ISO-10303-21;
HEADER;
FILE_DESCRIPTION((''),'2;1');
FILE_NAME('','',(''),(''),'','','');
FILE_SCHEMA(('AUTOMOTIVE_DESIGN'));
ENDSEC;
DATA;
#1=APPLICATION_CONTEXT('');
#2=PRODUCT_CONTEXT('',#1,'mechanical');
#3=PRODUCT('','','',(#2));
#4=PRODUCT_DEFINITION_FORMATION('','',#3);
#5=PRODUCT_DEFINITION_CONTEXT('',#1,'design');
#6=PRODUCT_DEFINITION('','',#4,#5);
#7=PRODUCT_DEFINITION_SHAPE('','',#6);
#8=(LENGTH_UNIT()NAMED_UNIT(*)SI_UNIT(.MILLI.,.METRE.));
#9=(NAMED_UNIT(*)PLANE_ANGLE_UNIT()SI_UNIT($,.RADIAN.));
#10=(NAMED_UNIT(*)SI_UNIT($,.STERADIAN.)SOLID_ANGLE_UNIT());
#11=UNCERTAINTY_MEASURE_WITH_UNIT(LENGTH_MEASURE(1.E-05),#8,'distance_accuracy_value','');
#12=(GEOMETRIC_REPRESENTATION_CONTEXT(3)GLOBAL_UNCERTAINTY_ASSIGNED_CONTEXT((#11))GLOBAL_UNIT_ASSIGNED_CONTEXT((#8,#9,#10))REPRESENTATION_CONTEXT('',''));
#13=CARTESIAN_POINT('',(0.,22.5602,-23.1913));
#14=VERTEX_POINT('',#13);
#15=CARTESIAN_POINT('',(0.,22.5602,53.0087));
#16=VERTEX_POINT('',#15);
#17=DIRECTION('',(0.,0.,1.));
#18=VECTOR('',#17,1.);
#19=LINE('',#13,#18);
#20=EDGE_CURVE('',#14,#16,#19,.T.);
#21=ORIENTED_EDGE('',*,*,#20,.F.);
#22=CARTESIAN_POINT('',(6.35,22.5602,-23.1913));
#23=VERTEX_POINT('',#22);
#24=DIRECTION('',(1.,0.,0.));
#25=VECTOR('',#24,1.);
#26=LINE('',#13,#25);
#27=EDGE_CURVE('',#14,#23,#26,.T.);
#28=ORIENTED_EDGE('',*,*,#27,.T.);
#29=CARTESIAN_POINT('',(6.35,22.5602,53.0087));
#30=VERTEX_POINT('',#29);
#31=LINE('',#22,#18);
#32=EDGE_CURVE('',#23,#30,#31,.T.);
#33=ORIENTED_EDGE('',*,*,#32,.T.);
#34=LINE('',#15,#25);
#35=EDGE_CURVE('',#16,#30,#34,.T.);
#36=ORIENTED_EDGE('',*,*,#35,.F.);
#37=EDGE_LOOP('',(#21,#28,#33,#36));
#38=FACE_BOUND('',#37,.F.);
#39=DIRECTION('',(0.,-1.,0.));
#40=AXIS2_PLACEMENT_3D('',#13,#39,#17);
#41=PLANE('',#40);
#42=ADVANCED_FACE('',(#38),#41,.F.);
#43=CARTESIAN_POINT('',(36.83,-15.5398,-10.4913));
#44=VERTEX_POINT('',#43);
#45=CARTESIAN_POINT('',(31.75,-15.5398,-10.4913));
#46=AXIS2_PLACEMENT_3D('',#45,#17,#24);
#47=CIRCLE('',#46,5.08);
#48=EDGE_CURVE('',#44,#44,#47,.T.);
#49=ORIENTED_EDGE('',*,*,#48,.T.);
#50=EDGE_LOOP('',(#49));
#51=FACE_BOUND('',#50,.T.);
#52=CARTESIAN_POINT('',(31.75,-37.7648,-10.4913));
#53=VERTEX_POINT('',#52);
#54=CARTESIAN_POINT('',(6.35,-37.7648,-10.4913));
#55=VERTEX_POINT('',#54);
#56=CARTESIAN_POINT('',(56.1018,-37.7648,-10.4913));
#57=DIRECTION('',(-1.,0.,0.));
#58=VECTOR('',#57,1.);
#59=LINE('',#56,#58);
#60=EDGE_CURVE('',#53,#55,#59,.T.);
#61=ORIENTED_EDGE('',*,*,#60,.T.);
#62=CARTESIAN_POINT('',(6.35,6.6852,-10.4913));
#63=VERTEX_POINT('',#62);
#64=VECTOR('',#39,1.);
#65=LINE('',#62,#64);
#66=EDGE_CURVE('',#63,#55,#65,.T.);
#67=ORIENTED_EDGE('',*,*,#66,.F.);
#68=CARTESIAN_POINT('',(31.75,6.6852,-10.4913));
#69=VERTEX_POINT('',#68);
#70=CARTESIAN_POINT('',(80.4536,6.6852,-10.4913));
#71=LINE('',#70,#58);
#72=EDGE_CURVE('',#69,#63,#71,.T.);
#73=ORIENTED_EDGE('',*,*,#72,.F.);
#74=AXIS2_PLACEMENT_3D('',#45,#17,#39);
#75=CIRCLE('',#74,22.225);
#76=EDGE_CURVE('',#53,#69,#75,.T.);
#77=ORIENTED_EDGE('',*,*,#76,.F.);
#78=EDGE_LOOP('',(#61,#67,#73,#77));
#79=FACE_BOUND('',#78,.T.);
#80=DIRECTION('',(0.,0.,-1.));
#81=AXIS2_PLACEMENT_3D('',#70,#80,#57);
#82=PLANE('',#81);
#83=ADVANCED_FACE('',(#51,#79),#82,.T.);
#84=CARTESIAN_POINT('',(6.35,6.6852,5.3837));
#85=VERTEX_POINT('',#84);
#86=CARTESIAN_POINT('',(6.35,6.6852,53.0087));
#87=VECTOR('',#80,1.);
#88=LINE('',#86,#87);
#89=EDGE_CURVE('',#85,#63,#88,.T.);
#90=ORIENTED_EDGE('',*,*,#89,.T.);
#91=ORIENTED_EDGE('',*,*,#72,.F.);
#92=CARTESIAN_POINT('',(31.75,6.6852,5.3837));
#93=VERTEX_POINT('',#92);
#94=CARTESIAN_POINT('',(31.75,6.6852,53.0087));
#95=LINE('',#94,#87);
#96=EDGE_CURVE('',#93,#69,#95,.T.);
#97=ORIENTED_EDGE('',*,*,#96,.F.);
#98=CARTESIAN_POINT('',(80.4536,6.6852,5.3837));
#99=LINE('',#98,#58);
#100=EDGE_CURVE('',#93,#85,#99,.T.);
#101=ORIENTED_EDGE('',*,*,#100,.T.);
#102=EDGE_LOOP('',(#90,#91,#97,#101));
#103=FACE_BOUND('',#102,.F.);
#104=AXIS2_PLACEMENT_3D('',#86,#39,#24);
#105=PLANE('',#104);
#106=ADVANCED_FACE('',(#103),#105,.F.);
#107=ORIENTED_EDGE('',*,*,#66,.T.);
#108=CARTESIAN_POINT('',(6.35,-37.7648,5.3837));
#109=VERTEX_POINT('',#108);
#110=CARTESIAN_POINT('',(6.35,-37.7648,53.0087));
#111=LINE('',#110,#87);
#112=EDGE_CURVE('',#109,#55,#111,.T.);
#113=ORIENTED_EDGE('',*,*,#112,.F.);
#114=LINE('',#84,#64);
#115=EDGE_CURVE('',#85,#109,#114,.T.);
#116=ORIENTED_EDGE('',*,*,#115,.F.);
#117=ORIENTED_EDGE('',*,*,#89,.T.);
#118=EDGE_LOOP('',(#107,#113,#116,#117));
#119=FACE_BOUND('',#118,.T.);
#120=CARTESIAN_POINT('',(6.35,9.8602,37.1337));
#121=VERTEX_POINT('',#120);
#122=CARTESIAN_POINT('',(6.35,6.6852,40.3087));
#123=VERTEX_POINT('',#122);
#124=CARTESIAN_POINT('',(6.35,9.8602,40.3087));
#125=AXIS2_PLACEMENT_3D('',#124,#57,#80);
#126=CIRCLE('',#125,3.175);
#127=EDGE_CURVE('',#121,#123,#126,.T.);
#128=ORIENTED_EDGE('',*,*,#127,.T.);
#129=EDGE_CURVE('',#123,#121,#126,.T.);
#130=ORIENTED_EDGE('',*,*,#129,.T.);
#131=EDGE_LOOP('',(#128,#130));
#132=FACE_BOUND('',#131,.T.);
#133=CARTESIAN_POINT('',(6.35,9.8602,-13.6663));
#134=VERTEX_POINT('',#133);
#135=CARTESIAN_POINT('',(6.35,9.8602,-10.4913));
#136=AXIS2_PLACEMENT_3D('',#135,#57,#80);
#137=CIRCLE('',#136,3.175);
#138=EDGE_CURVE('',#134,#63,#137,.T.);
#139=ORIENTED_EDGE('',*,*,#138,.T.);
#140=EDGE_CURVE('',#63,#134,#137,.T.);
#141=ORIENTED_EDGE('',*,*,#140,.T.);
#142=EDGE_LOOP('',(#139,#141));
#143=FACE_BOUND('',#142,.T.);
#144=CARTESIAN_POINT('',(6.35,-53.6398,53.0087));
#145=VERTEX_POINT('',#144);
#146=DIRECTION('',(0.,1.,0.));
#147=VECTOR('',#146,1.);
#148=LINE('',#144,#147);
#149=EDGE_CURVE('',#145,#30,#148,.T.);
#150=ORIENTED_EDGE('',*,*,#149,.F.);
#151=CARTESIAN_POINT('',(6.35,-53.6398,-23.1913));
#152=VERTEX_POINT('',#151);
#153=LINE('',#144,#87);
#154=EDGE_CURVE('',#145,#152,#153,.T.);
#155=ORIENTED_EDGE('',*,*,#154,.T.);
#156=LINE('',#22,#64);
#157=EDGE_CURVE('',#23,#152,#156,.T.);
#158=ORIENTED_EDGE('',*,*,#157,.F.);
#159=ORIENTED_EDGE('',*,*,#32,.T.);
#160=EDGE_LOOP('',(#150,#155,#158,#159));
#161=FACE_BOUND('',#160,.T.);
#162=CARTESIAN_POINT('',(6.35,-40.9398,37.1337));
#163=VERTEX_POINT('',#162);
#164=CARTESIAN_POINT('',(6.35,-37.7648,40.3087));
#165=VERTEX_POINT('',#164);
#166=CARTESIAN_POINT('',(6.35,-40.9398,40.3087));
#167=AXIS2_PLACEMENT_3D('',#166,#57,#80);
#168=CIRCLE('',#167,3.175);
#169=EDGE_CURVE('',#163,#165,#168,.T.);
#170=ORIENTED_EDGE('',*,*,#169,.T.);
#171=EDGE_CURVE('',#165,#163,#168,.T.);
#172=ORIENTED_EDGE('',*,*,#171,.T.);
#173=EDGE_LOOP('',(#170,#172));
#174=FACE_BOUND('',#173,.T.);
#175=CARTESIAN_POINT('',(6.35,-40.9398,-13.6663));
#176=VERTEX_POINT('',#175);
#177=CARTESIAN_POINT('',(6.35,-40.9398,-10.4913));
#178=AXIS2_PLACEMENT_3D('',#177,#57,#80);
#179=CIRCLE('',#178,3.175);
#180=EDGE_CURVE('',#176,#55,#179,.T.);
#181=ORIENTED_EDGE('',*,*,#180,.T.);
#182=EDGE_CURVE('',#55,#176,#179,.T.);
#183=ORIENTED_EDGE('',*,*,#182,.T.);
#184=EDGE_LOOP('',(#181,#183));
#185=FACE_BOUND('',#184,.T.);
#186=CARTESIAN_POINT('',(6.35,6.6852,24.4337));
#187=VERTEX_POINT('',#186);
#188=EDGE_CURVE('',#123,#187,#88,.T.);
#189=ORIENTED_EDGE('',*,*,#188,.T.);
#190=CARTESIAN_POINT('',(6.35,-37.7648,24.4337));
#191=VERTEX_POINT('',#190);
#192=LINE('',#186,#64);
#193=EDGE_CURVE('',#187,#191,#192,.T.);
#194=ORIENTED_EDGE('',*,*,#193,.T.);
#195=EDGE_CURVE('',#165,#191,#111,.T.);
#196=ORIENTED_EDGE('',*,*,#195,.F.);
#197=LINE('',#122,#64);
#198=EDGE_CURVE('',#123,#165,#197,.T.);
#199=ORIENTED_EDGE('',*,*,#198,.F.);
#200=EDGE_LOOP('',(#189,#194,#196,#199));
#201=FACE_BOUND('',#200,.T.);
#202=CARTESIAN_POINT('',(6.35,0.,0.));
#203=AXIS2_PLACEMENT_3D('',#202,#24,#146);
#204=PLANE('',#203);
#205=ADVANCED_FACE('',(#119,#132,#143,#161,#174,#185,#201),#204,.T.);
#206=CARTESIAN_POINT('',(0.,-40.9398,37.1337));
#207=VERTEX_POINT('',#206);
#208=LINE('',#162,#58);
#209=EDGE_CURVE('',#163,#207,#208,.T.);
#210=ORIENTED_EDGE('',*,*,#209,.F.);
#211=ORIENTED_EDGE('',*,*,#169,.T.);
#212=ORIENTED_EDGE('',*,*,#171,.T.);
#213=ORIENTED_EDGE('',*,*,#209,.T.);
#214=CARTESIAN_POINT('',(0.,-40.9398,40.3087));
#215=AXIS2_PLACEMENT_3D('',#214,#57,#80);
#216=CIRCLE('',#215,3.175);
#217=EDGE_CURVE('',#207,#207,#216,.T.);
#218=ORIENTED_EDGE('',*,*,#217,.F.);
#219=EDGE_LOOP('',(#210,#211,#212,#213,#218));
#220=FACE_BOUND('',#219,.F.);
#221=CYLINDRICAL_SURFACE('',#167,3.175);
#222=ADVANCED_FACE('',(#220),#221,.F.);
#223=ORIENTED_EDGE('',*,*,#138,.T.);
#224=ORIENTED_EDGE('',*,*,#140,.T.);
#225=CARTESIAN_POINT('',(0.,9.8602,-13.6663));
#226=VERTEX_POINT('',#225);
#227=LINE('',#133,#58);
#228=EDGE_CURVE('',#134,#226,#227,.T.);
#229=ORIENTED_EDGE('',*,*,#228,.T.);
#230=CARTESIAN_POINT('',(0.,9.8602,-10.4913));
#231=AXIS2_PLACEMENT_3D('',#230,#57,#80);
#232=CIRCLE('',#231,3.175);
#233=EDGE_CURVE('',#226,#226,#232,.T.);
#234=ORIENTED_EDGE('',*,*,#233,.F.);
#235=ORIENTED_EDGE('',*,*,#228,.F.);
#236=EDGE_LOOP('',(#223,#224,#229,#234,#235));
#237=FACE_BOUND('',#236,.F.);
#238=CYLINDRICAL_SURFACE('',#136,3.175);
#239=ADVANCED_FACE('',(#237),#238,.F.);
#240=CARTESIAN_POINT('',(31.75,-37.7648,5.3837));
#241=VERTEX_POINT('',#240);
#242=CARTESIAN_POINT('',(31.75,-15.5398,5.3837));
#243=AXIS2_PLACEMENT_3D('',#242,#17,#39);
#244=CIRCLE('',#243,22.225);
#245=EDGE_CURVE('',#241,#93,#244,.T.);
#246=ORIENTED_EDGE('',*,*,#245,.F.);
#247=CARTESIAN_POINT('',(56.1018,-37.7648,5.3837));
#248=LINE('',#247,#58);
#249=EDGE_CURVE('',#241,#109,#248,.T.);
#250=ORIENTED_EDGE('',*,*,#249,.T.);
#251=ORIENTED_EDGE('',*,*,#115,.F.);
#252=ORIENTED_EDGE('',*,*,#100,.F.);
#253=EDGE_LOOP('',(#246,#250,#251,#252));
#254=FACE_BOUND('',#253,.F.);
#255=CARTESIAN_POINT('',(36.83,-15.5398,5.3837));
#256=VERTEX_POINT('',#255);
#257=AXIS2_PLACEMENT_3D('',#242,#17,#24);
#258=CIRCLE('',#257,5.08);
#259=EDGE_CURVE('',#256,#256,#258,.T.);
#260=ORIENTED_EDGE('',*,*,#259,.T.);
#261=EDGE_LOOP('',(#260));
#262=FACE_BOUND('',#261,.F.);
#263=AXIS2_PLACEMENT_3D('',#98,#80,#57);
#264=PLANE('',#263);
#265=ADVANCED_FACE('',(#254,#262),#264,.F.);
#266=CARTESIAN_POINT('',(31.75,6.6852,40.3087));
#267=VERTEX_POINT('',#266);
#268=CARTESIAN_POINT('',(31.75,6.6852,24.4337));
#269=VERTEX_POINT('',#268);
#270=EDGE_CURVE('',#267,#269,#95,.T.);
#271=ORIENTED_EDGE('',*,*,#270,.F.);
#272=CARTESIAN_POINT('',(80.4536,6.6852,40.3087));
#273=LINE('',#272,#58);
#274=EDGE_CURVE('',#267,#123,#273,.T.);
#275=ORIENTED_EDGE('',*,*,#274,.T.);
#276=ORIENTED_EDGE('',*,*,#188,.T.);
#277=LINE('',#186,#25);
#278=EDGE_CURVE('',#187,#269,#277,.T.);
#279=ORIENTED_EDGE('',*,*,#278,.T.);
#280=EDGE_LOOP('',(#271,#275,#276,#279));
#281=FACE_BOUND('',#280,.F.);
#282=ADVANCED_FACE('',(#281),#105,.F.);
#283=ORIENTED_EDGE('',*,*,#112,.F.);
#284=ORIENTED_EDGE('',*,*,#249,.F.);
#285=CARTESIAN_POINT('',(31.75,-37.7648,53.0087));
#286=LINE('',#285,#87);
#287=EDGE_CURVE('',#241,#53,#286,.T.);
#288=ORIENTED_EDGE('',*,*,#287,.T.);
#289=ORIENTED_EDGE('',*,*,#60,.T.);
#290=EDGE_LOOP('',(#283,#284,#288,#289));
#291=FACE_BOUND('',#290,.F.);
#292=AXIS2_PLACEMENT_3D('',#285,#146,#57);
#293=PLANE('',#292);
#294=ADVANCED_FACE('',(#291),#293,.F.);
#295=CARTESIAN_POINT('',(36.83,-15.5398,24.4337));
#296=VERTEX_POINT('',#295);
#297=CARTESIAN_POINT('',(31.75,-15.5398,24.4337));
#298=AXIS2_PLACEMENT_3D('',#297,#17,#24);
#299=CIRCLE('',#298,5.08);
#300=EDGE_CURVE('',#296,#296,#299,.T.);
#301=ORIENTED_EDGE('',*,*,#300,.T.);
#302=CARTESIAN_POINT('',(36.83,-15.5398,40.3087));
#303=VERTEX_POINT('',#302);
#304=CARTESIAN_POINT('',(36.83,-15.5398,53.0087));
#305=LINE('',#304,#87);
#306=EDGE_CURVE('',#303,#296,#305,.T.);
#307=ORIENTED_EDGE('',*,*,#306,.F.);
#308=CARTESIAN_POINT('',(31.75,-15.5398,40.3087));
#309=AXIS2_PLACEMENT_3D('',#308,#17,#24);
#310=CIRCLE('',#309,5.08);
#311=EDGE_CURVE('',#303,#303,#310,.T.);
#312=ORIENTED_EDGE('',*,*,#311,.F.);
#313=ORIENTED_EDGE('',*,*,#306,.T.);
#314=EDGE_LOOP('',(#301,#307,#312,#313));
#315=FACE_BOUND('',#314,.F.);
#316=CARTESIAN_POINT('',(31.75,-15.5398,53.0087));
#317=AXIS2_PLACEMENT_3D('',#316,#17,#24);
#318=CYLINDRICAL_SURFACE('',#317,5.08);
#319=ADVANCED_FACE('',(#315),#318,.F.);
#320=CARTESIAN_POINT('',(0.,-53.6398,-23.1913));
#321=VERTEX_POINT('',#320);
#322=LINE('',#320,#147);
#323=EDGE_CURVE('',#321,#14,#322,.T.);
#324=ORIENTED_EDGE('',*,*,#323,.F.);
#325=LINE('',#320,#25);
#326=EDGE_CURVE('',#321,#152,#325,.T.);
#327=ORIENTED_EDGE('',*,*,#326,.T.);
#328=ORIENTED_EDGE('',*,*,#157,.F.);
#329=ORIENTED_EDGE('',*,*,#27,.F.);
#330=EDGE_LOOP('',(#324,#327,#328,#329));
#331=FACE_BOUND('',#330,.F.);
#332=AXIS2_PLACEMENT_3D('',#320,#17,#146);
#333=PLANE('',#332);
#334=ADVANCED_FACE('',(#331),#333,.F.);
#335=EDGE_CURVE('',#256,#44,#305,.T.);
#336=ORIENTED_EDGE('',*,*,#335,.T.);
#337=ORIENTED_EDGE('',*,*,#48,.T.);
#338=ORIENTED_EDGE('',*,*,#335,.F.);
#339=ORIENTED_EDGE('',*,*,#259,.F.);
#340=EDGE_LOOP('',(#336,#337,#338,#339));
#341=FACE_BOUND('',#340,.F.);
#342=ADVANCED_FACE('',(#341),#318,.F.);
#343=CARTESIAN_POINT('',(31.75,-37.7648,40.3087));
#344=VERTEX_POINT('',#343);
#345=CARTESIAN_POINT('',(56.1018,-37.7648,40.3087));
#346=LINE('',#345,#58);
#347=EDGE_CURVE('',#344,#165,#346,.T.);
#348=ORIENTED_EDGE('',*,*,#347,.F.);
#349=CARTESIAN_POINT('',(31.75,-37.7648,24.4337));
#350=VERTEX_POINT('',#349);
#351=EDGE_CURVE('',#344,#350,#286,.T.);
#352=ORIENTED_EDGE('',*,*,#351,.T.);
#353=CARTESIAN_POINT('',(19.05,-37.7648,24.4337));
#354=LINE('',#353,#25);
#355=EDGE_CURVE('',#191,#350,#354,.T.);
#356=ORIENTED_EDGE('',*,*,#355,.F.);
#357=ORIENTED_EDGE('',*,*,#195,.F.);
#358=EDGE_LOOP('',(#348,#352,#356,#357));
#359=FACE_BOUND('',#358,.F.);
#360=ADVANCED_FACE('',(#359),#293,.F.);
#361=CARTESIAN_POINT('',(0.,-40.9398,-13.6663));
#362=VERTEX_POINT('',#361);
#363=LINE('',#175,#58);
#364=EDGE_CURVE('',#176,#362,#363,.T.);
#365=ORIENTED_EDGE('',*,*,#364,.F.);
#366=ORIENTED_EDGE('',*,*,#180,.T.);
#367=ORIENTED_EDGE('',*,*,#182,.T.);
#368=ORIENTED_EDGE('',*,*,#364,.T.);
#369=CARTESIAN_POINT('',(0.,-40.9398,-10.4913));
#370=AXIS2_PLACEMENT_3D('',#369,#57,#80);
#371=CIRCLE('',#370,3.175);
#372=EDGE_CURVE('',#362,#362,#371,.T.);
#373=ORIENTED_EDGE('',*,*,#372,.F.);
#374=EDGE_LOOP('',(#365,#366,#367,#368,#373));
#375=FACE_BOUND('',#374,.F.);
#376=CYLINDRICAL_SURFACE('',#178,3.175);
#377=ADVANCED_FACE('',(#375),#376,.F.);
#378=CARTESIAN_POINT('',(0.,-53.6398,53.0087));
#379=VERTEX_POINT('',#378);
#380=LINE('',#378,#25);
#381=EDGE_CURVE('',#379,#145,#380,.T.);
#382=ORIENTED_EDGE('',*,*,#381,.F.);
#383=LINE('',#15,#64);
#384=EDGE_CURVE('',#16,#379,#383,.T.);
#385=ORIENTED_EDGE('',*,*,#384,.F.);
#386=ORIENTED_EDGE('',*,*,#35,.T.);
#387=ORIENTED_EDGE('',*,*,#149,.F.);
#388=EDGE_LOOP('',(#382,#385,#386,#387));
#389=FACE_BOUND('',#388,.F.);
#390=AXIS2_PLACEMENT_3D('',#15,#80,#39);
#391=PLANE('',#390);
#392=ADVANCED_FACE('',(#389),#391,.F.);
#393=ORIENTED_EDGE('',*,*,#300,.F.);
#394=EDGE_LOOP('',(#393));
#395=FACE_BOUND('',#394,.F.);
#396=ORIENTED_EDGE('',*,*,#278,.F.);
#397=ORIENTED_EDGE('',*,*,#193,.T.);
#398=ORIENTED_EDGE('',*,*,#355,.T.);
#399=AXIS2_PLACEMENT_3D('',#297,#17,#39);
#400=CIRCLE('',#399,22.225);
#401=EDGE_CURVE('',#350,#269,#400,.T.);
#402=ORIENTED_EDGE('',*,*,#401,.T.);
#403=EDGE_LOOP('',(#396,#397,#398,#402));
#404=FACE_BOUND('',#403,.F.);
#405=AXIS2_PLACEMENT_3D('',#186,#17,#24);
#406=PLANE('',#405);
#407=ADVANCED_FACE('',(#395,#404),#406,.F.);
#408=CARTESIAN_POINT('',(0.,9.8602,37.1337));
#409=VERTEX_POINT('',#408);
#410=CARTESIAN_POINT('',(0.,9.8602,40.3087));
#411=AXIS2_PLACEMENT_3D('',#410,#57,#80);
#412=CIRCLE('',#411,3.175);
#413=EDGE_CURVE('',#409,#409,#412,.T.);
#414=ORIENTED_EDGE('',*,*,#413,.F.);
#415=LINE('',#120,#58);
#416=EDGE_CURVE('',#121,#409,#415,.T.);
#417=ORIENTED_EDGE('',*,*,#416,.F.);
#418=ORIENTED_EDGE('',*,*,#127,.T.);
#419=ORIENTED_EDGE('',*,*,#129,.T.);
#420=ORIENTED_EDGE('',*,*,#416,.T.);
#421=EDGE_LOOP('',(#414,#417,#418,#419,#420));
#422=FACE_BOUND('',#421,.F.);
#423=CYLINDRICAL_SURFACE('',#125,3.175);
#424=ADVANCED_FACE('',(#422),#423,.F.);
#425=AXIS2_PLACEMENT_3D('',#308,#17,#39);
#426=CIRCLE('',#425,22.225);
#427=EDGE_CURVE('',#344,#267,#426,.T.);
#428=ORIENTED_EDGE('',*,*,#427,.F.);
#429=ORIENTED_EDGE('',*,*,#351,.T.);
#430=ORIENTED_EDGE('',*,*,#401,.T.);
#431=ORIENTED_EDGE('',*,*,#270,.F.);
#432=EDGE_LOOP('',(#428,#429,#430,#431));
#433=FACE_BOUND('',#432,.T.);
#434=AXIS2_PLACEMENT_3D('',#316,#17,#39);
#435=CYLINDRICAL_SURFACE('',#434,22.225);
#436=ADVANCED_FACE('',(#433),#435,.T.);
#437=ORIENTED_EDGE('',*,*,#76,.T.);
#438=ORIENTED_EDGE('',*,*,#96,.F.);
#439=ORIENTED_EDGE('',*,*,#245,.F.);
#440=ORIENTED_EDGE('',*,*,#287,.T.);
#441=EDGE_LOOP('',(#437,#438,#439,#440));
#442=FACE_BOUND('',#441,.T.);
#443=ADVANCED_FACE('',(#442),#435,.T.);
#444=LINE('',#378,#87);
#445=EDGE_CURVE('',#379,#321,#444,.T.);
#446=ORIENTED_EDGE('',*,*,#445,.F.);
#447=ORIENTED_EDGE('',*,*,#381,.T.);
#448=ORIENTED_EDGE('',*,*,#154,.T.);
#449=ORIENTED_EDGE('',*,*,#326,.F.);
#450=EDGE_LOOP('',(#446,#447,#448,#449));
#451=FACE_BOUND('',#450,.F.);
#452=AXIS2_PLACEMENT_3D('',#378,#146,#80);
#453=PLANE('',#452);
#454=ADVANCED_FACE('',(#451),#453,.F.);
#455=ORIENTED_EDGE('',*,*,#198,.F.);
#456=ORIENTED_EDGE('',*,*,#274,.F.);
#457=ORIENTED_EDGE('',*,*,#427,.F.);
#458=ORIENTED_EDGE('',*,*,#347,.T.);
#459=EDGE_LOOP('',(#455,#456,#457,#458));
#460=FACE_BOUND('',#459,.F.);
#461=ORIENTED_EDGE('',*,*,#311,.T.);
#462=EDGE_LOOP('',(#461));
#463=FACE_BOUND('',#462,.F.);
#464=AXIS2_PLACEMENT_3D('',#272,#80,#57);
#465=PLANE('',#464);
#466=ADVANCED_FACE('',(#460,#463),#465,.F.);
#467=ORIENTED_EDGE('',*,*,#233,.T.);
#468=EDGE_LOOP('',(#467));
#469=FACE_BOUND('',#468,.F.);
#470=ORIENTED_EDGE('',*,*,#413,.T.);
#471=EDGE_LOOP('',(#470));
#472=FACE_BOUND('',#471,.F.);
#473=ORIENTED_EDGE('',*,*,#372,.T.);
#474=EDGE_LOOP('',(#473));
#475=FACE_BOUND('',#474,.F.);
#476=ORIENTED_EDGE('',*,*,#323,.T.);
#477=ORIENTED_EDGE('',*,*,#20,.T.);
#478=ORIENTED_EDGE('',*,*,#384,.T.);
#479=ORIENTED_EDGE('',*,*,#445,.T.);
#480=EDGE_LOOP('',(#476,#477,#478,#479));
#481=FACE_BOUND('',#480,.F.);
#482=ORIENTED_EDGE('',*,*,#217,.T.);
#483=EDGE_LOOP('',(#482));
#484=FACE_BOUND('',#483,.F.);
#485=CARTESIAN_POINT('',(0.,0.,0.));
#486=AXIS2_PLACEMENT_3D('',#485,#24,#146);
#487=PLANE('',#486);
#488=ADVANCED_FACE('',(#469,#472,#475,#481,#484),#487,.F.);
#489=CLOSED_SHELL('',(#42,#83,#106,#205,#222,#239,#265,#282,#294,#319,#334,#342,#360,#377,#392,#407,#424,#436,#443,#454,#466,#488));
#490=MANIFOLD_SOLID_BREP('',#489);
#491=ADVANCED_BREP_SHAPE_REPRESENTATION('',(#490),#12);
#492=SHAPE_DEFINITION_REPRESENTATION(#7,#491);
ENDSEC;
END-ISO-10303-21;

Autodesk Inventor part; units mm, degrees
ref_plane "YZ Plane" through (0, 0, 0) normal (1, 0, 0) x (0, 1, 0)
ref_plane "XZ Plane" through (0, 0, 0) normal (0, 1, 0) x (-1, 0, 0)
ref_plane "XY Plane" through (0, 0, 0) normal (0, 0, 1) x (1, 0, 0)
sketch "Sketch1" plane through (0, 0, 0) normal (1, 0, 0) x (0, 1, 0)
  line L0 (22.5602, 53.0087) -> (-53.6398, 53.0087)
  line L1 (-53.6398, 53.0087) -> (-53.6398, -23.1913)
  line L2 (-53.6398, -23.1913) -> (22.5602, -23.1913)
  line L3 (22.5602, -23.1913) -> (22.5602, 53.0087)
  point P0 (0, 0)
  dimension "d0" = 76.2
  dimension "d1" = 76.2
extrude "Extrusion1" add sketch "Sketch1" along normal blind 6.35
sketch "Sketch2" plane through (6.35, 0, 0) normal (1, 0, 0) x (0, 0, -1)
  line L0 (23.1913, 22.5602) -> (-53.0087, 22.5602) projected
  line L1 (-53.0087, 22.5602) -> (-53.0087, -53.6398) projected
  line L2 (23.1913, -53.6398) -> (23.1913, 22.5602) projected
  line L3 (-53.0087, -53.6398) -> (23.1913, -53.6398) projected
  point P0 (0, 0)
  point P1 (-40.3087, 9.8602)
  point P2 (10.4913, 9.8602)
  point P3 (-40.3087, -40.9398)
  point P4 (10.4913, -40.9398)
  dimension "d4" = 12.7
  dimension "d5" = 12.7
  dimension "d6" = 12.7
  dimension "d7" = 12.7
  dimension "d8" = 12.7
  dimension "d9" = 12.7
  dimension "d10" = 12.7
  dimension "d11" = 12.7
hole "Hole1" at (6.35, 9.8602, 40.3087) at (6.35, 9.8602, -10.4913) at (6.35, -40.9398, 40.3087) at (6.35, -40.9398, -10.4913) direction (-1, 0, 0) diameter 6.35 end through all
sketch "Sketch3" plane through (0, -53.6398, 53.0087) normal (0, 0, 1) x (1, 0, 0)
  line L0 (6.35, 76.2) -> (6.35, 0) projected
  line L1 (6.35, 60.325) -> (31.75, 60.325)
  line L2 (31.75, 60.325) -> (31.75, 15.875)
  line L3 (31.75, 15.875) -> (6.35, 15.875)
  line L4 (6.35, 15.875) -> (6.35, 60.325)
  line L5 (0, 76.2) -> (6.35, 76.2) projected
  arc A0 (31.75, 15.875) -> (31.75, 60.325) centre (31.75, 38.1) ccw
  circle A1 centre (31.75, 38.1) radius 5.08
  point P0 (0, 53.6398)
  point P1 (6.35, 15.875)
  dimension "d19" = 25.4
  dimension "d20" = 44.45
  dimension "d21" = 15.875
  dimension "d22" = 10.16
extrude "Extrusion2" add sketch "Sketch3" against normal blind 76.2 contours L1 L2 A1 L3 L0 | A0 L2 A1
sketch "Sketch4" plane through (6.35, 6.6852, 53.0087) normal (0, 1, 0) x (1, 0, 0)
  line L0 (25.4, 0) -> (0, 0) projected
  line L1 (0, 0) -> (74.1036, 0)
  line L2 (74.1036, 0) -> (74.1036, 12.7)
  line L3 (74.1036, 12.7) -> (0, 12.7)
  line L4 (0, 12.7) -> (0, 0)
  line L5 (-6.35, 76.2) -> (0, 76.2) projected
  line L6 (0, 76.2) -> (74.1036, 76.2)
  line L7 (74.1036, 76.2) -> (74.1036, 63.5)
  line L8 (74.1036, 63.5) -> (0, 63.5)
  line L9 (0, 63.5) -> (0, 76.2)
  line L10 (0, 28.575) -> (74.1036, 28.575)
  line L11 (74.1036, 28.575) -> (74.1036, 47.625)
  line L12 (74.1036, 47.625) -> (0, 47.625)
  line L13 (0, 47.625) -> (0, 28.575)
  point P0 (-6.35, 53.0087)
  dimension "d25" = 12.7
  dimension "d26" = 12.7
  dimension "d27" = 19.05
  dimension "d28" = 15.875
extrude "Extrusion3" cut sketch "Sketch4" against normal blind 76.2
properties part number "Undercarriage load"
